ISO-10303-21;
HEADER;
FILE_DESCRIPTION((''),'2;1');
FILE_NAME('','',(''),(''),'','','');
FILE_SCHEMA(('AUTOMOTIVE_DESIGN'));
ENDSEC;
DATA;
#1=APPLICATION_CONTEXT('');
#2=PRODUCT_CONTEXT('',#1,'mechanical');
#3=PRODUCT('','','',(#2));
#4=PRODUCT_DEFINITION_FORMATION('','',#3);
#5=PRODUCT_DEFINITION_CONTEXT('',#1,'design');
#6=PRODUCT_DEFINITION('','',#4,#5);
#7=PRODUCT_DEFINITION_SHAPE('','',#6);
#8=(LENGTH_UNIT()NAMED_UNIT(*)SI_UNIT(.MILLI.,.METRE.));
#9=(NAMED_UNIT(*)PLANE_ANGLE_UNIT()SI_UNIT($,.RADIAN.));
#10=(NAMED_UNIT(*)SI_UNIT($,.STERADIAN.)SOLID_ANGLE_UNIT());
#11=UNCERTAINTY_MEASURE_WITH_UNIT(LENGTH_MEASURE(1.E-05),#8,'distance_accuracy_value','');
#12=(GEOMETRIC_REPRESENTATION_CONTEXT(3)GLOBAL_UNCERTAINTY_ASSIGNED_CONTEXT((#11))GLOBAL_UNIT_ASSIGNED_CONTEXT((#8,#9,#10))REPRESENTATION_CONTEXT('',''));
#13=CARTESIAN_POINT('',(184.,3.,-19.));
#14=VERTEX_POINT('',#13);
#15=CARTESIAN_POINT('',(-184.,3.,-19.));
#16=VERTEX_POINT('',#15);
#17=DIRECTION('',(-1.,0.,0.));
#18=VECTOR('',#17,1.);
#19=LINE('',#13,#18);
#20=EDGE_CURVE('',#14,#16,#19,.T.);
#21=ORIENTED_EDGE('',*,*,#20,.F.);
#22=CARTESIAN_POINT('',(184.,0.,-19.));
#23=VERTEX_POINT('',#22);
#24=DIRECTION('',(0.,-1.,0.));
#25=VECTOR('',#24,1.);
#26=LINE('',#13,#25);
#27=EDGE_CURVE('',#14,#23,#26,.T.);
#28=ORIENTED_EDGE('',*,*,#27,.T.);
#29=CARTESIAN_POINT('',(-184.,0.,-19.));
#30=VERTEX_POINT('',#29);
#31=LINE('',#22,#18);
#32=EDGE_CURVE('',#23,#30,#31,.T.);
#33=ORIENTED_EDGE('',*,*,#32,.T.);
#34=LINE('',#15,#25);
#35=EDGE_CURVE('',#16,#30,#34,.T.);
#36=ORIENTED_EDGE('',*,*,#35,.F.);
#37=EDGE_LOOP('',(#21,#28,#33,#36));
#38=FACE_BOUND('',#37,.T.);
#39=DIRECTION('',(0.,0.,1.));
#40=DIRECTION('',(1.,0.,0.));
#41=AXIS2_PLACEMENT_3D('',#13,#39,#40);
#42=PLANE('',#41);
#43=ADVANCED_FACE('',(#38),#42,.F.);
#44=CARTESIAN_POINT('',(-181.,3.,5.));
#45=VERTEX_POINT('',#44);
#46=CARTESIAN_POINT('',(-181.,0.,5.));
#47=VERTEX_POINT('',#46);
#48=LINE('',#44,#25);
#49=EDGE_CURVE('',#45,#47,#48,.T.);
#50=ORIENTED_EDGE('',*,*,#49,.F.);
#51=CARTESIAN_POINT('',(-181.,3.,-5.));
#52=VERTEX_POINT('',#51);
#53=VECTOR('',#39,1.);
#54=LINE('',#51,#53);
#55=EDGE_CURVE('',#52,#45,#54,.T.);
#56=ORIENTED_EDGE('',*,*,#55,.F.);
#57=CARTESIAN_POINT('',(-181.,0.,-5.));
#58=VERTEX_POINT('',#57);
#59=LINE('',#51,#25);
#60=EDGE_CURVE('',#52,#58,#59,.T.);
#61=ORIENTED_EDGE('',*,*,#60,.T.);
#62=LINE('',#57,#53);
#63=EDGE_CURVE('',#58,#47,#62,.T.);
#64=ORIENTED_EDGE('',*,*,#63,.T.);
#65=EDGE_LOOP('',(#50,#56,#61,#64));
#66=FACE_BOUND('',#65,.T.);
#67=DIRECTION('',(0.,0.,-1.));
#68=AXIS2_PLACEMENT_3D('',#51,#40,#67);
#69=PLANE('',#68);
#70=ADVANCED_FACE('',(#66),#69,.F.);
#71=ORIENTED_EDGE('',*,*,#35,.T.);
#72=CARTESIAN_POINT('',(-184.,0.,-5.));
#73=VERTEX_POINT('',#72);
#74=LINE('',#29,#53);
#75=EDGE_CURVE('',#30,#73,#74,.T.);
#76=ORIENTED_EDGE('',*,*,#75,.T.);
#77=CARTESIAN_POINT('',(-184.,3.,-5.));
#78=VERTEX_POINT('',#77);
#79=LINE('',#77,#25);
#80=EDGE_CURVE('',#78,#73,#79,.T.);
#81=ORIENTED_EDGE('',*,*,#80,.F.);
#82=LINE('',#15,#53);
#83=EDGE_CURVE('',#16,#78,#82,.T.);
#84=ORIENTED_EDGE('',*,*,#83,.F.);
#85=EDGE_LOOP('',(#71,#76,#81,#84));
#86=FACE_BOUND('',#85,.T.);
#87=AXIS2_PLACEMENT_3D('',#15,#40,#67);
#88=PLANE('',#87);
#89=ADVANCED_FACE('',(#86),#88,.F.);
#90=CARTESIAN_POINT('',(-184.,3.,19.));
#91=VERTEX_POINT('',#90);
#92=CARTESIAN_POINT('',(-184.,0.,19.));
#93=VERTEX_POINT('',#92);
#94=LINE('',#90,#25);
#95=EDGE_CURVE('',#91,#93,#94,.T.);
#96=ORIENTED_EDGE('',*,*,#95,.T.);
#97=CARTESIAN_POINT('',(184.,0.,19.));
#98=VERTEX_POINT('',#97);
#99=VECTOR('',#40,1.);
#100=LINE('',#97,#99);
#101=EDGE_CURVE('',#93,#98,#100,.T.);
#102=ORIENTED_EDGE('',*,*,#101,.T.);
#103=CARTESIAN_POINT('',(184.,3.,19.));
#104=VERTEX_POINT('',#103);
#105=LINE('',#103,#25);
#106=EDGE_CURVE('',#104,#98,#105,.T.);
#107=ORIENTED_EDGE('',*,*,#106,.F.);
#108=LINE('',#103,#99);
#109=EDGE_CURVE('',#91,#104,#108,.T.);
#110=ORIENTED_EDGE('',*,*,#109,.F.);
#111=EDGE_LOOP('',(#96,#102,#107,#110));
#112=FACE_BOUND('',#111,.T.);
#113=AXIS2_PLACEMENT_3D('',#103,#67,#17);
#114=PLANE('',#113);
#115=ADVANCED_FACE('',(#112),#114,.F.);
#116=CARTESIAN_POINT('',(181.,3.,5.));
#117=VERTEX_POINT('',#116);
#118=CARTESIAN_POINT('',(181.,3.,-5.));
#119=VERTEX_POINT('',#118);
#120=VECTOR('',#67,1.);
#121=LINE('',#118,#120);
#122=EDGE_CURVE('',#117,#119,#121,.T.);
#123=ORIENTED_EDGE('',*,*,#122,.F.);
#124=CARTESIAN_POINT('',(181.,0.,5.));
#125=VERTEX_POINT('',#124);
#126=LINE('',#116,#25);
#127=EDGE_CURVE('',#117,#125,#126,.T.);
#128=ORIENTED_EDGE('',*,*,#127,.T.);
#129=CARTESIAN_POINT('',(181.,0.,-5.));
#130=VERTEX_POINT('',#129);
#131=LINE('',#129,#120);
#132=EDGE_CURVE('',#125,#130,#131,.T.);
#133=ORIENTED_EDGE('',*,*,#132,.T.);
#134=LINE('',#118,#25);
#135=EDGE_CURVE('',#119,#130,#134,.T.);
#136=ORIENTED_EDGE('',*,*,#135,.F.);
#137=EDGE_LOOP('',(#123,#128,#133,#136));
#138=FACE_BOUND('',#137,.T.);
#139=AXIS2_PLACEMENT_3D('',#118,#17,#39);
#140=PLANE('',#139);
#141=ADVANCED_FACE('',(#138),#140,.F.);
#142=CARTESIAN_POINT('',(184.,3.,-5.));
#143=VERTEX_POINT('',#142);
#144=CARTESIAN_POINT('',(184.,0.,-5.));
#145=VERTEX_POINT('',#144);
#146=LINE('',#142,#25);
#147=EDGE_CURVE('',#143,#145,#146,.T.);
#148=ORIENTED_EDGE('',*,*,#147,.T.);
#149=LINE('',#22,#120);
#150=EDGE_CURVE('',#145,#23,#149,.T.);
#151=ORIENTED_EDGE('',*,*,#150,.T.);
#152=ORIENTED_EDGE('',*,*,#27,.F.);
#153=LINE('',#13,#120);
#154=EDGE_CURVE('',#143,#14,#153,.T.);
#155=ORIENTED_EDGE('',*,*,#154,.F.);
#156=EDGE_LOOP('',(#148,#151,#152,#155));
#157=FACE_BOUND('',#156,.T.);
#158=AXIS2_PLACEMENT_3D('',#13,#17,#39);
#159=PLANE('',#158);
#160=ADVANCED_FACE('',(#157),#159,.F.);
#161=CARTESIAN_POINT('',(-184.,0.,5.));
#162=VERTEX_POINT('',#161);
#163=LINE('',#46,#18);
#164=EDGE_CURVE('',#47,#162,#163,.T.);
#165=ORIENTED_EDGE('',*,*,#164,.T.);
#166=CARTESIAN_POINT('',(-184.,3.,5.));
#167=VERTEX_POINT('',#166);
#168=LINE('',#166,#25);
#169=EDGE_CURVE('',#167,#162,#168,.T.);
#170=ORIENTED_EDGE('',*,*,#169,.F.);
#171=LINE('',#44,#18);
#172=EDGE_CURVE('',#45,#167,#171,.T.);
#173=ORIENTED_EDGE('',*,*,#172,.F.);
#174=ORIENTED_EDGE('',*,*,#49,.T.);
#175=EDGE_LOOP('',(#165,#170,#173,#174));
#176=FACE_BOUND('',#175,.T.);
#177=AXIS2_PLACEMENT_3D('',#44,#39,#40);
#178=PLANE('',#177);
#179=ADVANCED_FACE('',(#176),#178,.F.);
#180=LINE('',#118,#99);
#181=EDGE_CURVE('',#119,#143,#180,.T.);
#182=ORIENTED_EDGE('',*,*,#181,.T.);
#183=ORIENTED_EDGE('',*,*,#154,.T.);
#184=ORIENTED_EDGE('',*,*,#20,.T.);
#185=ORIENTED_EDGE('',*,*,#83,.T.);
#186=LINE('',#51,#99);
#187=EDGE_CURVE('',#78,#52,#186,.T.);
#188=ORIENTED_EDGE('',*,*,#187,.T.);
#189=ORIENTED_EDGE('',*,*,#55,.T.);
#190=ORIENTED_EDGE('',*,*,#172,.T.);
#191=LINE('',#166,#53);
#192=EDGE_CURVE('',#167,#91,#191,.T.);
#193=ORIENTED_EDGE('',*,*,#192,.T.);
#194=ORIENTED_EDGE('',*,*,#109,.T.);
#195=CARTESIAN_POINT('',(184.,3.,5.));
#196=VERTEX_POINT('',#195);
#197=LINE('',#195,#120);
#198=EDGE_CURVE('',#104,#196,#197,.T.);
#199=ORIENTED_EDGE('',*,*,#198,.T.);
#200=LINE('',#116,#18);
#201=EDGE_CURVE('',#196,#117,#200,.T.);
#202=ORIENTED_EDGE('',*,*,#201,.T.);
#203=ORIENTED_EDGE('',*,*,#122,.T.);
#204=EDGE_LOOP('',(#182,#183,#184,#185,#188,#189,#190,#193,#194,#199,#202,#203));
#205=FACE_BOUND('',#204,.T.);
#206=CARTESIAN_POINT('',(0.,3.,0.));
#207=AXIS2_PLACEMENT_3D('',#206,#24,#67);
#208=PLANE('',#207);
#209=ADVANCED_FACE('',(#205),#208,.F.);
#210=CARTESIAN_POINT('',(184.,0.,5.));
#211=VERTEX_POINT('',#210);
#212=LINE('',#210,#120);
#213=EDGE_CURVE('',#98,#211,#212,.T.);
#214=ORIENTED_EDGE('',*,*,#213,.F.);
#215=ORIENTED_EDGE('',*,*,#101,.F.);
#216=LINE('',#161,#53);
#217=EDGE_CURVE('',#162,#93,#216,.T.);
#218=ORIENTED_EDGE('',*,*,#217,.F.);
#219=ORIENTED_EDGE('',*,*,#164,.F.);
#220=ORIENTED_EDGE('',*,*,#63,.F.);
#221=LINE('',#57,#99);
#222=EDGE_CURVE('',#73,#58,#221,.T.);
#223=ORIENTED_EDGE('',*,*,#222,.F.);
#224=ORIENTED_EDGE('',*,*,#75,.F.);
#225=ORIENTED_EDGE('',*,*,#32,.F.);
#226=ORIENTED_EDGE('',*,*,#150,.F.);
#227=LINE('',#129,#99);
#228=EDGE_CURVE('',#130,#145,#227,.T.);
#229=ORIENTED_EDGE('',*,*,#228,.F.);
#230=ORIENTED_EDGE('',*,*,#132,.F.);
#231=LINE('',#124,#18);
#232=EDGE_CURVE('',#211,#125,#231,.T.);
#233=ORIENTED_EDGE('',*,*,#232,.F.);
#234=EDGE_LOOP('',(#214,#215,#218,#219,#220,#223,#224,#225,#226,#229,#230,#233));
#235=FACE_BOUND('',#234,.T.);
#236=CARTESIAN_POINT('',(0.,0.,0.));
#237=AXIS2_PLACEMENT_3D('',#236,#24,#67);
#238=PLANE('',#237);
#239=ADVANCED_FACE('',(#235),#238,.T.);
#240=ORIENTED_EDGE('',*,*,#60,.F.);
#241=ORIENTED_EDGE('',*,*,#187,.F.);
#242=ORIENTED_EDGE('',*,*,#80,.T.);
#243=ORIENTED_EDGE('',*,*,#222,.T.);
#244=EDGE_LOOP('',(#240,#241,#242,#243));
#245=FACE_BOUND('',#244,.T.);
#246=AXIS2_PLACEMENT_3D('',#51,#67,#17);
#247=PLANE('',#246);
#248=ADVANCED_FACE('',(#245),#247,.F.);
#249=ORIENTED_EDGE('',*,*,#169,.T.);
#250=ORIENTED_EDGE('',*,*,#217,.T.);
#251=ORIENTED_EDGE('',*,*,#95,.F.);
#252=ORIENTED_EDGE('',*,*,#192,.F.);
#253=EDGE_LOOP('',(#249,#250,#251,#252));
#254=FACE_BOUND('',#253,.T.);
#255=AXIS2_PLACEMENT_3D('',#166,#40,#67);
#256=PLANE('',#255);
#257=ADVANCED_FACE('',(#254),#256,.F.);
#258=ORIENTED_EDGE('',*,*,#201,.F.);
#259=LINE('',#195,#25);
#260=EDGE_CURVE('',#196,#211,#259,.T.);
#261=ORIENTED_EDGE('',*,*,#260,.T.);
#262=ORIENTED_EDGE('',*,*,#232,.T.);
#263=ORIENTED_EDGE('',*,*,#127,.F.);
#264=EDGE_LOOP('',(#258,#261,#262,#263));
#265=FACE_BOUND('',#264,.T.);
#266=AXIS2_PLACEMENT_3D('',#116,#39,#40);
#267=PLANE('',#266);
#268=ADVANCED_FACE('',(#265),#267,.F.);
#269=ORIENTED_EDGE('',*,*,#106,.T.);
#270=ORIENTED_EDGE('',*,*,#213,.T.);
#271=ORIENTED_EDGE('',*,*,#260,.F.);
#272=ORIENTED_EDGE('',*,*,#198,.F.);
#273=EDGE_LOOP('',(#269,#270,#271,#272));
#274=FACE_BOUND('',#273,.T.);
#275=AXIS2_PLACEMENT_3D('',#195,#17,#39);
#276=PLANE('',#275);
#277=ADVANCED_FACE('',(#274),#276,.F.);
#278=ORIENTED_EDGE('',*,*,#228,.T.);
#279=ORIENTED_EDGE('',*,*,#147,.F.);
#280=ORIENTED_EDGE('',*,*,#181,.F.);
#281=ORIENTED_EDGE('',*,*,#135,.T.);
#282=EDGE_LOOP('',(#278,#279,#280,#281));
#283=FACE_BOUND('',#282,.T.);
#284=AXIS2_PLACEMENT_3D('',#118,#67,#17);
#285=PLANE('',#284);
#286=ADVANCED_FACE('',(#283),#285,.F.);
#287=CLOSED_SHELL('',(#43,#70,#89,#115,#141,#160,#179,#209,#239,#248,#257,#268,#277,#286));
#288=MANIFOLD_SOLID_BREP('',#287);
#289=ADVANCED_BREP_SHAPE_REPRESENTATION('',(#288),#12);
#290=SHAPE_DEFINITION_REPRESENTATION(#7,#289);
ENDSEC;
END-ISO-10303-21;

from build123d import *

# Parameters (mm, degrees)
BOSS_EXTRUDE1_DEPTH = 3


with BuildPart() as part:
    # Sketch1 → Boss-Extrude1 (new body)
    with BuildSketch(Plane(origin=(0, 0, 0), x_dir=(1, 0, 0), z_dir=(0, 1, 0))):
        Polygon((184, 19), (-184, 19), (-184, 5), (-181, 5), (-181, -5), (-184, -5), (-184, -19), (184, -19), (184, -5), (181, -5), (181, 5), (184, 5), align=None)
    extrude(amount=BOSS_EXTRUDE1_DEPTH)


solid = part.part
